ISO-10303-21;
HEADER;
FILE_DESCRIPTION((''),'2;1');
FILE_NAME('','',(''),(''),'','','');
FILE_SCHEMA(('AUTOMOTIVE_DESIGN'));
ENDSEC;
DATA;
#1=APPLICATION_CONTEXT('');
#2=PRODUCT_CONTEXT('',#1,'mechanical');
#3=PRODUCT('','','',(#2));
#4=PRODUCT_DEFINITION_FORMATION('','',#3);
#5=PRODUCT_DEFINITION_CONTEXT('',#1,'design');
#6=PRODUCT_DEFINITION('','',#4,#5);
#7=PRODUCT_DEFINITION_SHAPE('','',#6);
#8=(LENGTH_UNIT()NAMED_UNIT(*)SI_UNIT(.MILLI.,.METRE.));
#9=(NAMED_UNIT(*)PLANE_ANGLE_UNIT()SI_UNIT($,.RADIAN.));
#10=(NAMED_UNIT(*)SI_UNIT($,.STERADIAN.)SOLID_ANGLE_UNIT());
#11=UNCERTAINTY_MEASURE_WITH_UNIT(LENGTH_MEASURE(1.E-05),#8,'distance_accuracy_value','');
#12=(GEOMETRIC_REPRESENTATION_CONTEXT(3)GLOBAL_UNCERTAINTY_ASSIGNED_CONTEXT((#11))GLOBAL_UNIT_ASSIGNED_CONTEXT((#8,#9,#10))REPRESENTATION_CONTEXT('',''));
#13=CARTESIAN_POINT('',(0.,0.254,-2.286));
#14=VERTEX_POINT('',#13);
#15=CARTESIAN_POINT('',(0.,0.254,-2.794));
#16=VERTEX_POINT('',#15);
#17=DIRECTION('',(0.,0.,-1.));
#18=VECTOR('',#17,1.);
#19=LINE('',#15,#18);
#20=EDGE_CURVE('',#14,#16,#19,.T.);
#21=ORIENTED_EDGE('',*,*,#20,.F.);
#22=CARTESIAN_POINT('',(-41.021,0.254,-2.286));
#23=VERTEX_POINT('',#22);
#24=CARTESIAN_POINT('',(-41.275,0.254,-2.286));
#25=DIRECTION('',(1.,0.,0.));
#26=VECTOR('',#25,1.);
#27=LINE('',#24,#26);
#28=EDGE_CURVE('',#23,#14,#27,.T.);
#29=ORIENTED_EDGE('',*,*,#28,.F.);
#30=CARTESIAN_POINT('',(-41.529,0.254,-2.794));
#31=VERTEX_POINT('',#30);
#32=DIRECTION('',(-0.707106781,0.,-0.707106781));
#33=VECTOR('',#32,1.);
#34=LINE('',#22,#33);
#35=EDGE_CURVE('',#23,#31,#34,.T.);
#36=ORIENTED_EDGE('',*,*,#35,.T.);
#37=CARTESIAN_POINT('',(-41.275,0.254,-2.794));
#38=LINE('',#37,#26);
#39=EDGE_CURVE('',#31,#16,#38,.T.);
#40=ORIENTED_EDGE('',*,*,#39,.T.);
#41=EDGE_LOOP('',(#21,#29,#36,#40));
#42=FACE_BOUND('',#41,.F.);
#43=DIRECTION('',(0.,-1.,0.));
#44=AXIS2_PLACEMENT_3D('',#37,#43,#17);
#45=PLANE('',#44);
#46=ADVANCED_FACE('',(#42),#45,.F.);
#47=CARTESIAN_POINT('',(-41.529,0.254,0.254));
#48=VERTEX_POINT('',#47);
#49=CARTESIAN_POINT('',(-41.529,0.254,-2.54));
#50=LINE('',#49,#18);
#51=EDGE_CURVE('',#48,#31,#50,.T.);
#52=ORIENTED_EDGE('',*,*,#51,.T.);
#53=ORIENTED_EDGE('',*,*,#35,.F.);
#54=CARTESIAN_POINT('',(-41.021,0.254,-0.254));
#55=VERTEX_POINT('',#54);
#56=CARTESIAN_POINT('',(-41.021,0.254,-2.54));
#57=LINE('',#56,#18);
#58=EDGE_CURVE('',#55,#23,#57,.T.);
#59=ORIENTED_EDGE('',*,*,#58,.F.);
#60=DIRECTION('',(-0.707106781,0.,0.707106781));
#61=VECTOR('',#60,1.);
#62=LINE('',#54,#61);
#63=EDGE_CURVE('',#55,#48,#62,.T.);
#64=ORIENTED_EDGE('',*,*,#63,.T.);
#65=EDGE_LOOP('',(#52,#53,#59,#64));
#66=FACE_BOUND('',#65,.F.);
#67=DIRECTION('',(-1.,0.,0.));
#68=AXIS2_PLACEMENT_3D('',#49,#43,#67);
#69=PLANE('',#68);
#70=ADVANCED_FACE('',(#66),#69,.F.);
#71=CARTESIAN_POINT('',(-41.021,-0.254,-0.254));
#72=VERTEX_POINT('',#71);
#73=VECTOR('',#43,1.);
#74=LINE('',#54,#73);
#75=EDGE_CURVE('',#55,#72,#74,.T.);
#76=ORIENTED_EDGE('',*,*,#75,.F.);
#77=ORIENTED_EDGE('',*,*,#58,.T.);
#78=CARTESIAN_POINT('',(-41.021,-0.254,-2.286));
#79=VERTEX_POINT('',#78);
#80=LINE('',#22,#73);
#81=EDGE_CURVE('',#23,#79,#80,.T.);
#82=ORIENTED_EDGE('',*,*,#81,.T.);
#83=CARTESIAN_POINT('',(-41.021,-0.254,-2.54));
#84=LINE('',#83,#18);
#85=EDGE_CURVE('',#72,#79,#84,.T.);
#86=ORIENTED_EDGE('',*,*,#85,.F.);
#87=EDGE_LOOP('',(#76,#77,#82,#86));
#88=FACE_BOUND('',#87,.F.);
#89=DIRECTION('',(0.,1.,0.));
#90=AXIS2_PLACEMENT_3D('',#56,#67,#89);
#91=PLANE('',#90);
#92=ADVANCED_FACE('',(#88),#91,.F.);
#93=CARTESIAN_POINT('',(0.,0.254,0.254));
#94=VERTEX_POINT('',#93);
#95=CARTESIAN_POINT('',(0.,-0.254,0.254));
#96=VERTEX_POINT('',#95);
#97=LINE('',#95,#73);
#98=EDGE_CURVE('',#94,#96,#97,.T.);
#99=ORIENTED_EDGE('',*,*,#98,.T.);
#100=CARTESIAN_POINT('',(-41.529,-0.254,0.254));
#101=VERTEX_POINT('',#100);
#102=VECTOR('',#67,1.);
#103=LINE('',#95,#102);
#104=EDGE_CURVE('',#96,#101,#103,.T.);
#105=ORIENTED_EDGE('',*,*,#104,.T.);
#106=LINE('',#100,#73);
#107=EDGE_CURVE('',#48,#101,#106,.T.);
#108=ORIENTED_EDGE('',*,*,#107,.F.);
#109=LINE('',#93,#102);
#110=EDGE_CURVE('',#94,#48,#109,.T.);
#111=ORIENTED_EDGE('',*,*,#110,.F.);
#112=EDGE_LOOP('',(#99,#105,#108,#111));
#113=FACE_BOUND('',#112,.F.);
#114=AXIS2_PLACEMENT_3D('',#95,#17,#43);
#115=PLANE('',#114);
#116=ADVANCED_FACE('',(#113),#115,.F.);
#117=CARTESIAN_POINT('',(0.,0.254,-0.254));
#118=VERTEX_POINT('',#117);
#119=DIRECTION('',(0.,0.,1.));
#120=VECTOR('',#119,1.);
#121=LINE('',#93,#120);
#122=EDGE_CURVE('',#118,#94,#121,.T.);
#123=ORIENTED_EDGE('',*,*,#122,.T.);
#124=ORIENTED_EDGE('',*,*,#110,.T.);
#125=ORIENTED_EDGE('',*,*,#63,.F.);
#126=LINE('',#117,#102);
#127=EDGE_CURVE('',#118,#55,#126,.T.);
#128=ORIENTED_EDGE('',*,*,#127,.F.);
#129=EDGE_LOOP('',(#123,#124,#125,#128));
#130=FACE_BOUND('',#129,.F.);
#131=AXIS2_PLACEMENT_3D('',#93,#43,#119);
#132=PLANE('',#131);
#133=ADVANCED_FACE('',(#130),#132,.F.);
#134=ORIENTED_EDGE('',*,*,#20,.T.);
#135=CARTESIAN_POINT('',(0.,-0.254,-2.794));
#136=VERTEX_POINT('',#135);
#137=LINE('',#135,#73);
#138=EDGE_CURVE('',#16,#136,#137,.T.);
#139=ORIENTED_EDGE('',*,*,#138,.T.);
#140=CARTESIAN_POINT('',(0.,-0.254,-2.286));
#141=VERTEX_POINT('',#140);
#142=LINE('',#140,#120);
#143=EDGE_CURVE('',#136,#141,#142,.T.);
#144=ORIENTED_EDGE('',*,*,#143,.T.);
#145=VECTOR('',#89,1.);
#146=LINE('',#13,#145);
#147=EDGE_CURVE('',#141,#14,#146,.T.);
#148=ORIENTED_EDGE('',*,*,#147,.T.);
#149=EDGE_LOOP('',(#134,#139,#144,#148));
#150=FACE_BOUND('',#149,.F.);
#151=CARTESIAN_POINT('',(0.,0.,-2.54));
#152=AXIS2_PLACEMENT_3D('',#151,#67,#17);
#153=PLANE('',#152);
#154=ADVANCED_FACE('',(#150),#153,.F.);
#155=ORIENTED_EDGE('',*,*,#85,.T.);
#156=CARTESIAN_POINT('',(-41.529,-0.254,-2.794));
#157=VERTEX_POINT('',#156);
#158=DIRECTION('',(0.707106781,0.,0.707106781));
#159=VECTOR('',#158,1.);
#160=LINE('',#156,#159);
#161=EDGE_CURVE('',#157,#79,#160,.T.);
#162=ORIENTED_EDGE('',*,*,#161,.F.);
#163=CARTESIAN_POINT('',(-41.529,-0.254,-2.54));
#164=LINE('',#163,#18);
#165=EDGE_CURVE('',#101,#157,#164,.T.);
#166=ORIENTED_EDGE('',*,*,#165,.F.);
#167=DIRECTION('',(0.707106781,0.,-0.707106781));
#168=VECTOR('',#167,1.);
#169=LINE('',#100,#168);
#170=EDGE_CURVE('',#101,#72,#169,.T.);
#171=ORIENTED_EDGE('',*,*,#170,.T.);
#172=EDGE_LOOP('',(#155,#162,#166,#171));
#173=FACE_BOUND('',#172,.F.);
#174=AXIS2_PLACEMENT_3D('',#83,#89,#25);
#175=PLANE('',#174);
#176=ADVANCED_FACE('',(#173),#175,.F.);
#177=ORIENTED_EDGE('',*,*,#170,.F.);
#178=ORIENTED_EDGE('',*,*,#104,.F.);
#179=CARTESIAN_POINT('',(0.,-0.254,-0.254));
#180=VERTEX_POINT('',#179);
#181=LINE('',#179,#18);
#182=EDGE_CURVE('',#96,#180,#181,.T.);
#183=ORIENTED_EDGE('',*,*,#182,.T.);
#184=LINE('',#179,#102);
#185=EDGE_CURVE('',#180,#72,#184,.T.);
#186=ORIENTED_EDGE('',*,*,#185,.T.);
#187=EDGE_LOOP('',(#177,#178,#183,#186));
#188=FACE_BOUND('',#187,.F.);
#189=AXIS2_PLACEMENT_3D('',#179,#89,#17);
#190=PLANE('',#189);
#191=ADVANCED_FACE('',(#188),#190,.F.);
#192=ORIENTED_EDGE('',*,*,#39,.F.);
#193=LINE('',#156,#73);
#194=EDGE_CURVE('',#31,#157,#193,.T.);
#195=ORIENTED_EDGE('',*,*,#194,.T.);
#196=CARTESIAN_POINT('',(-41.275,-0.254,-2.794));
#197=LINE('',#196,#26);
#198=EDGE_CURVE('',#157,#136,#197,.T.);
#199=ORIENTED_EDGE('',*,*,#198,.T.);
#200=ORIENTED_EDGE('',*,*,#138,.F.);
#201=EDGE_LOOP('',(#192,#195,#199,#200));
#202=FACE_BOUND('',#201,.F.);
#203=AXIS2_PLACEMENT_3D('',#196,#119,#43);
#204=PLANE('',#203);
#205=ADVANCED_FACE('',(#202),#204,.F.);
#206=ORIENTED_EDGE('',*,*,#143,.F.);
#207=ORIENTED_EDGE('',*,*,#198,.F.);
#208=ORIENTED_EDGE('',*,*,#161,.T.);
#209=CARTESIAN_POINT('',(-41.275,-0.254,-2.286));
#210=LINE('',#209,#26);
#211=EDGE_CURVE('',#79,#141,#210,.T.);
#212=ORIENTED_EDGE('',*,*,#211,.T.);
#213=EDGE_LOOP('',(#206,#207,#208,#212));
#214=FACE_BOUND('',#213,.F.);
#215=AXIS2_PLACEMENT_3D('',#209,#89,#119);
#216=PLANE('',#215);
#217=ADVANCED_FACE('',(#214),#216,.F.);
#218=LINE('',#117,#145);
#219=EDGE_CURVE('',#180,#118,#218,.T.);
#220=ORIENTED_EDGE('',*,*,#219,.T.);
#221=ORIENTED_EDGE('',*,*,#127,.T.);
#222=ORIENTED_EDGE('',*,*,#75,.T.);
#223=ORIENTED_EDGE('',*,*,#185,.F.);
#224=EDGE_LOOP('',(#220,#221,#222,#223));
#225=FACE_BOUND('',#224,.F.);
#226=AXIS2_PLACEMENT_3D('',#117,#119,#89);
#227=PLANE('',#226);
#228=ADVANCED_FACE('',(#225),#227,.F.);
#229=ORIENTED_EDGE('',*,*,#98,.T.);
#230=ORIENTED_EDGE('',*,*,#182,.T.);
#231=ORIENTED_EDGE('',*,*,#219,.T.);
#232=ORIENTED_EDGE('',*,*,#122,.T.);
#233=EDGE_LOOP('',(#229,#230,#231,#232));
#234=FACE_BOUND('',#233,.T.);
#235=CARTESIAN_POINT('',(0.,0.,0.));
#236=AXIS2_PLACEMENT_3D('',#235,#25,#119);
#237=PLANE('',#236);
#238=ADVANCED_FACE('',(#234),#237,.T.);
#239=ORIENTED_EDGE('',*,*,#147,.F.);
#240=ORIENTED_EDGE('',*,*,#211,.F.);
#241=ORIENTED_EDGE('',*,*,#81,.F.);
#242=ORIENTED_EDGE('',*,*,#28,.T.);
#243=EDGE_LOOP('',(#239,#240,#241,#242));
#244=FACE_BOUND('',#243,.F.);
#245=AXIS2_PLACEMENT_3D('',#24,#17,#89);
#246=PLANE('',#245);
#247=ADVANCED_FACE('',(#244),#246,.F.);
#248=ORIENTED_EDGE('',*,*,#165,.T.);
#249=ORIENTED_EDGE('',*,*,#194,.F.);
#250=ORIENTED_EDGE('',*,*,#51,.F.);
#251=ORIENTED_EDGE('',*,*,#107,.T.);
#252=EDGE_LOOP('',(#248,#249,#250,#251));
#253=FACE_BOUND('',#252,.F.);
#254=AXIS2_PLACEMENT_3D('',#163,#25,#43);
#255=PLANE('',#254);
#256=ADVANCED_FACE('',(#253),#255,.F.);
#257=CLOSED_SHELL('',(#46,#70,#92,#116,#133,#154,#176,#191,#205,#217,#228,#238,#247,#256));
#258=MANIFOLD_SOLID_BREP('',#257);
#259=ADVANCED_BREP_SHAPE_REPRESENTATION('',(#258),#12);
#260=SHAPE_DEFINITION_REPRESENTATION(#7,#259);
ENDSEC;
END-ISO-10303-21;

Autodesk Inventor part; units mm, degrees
ref_plane "XZ Plane" through (0, 0, 0) normal (0, 1, 0) x (-1, 0, 0)
sketch "Sketch1" plane through (0, 0, 0) normal (0, 1, 0) x (-1, 0, 0)
  line L0 (0, 0) -> (41.275, 0)
  line L1 (41.275, -2.54) -> (0, -2.54)
  line L2 (41.275, -2.54) -> (41.275, 0)
  dimension "d69" = 41.275
  dimension "d70" = 41.275
  dimension "d89" = 2.54
  dimension "d90" = 0
  dimension "d91" = 0
  dimension "d92" = 0
sketch "Sketch2" plane through (0, 0, 0) normal (1, 0, 0) x (0, 1, 0)
  line L0 (-0.254, 0.254) -> (0.254, 0.254)
  line L1 (0.254, 0.254) -> (0.254, -0.254)
  line L2 (0.254, -0.254) -> (-0.254, -0.254)
  line L3 (-0.254, -0.254) -> (-0.254, 0.254)
  dimension "d98" = 0.508
  dimension "d99" = 0.508
sweep "Sweep1" add profiles "Sketch2" path "Sketch1"
ref_plane "Work Plane1" through (6.35, 0, 0) normal (1, 0, 0) x (0, 1, 0)
ref_plane "Work Plane2" through (0, 0, -6.35) normal (0, 0, 1) x (1, 0, 0)
ref_plane "Work Plane4" through (0, 0, -2.9845) normal (0, 0, 1) x (1, 0, 0)
properties part number "basic strain gauge 0p01" material "Silver"
